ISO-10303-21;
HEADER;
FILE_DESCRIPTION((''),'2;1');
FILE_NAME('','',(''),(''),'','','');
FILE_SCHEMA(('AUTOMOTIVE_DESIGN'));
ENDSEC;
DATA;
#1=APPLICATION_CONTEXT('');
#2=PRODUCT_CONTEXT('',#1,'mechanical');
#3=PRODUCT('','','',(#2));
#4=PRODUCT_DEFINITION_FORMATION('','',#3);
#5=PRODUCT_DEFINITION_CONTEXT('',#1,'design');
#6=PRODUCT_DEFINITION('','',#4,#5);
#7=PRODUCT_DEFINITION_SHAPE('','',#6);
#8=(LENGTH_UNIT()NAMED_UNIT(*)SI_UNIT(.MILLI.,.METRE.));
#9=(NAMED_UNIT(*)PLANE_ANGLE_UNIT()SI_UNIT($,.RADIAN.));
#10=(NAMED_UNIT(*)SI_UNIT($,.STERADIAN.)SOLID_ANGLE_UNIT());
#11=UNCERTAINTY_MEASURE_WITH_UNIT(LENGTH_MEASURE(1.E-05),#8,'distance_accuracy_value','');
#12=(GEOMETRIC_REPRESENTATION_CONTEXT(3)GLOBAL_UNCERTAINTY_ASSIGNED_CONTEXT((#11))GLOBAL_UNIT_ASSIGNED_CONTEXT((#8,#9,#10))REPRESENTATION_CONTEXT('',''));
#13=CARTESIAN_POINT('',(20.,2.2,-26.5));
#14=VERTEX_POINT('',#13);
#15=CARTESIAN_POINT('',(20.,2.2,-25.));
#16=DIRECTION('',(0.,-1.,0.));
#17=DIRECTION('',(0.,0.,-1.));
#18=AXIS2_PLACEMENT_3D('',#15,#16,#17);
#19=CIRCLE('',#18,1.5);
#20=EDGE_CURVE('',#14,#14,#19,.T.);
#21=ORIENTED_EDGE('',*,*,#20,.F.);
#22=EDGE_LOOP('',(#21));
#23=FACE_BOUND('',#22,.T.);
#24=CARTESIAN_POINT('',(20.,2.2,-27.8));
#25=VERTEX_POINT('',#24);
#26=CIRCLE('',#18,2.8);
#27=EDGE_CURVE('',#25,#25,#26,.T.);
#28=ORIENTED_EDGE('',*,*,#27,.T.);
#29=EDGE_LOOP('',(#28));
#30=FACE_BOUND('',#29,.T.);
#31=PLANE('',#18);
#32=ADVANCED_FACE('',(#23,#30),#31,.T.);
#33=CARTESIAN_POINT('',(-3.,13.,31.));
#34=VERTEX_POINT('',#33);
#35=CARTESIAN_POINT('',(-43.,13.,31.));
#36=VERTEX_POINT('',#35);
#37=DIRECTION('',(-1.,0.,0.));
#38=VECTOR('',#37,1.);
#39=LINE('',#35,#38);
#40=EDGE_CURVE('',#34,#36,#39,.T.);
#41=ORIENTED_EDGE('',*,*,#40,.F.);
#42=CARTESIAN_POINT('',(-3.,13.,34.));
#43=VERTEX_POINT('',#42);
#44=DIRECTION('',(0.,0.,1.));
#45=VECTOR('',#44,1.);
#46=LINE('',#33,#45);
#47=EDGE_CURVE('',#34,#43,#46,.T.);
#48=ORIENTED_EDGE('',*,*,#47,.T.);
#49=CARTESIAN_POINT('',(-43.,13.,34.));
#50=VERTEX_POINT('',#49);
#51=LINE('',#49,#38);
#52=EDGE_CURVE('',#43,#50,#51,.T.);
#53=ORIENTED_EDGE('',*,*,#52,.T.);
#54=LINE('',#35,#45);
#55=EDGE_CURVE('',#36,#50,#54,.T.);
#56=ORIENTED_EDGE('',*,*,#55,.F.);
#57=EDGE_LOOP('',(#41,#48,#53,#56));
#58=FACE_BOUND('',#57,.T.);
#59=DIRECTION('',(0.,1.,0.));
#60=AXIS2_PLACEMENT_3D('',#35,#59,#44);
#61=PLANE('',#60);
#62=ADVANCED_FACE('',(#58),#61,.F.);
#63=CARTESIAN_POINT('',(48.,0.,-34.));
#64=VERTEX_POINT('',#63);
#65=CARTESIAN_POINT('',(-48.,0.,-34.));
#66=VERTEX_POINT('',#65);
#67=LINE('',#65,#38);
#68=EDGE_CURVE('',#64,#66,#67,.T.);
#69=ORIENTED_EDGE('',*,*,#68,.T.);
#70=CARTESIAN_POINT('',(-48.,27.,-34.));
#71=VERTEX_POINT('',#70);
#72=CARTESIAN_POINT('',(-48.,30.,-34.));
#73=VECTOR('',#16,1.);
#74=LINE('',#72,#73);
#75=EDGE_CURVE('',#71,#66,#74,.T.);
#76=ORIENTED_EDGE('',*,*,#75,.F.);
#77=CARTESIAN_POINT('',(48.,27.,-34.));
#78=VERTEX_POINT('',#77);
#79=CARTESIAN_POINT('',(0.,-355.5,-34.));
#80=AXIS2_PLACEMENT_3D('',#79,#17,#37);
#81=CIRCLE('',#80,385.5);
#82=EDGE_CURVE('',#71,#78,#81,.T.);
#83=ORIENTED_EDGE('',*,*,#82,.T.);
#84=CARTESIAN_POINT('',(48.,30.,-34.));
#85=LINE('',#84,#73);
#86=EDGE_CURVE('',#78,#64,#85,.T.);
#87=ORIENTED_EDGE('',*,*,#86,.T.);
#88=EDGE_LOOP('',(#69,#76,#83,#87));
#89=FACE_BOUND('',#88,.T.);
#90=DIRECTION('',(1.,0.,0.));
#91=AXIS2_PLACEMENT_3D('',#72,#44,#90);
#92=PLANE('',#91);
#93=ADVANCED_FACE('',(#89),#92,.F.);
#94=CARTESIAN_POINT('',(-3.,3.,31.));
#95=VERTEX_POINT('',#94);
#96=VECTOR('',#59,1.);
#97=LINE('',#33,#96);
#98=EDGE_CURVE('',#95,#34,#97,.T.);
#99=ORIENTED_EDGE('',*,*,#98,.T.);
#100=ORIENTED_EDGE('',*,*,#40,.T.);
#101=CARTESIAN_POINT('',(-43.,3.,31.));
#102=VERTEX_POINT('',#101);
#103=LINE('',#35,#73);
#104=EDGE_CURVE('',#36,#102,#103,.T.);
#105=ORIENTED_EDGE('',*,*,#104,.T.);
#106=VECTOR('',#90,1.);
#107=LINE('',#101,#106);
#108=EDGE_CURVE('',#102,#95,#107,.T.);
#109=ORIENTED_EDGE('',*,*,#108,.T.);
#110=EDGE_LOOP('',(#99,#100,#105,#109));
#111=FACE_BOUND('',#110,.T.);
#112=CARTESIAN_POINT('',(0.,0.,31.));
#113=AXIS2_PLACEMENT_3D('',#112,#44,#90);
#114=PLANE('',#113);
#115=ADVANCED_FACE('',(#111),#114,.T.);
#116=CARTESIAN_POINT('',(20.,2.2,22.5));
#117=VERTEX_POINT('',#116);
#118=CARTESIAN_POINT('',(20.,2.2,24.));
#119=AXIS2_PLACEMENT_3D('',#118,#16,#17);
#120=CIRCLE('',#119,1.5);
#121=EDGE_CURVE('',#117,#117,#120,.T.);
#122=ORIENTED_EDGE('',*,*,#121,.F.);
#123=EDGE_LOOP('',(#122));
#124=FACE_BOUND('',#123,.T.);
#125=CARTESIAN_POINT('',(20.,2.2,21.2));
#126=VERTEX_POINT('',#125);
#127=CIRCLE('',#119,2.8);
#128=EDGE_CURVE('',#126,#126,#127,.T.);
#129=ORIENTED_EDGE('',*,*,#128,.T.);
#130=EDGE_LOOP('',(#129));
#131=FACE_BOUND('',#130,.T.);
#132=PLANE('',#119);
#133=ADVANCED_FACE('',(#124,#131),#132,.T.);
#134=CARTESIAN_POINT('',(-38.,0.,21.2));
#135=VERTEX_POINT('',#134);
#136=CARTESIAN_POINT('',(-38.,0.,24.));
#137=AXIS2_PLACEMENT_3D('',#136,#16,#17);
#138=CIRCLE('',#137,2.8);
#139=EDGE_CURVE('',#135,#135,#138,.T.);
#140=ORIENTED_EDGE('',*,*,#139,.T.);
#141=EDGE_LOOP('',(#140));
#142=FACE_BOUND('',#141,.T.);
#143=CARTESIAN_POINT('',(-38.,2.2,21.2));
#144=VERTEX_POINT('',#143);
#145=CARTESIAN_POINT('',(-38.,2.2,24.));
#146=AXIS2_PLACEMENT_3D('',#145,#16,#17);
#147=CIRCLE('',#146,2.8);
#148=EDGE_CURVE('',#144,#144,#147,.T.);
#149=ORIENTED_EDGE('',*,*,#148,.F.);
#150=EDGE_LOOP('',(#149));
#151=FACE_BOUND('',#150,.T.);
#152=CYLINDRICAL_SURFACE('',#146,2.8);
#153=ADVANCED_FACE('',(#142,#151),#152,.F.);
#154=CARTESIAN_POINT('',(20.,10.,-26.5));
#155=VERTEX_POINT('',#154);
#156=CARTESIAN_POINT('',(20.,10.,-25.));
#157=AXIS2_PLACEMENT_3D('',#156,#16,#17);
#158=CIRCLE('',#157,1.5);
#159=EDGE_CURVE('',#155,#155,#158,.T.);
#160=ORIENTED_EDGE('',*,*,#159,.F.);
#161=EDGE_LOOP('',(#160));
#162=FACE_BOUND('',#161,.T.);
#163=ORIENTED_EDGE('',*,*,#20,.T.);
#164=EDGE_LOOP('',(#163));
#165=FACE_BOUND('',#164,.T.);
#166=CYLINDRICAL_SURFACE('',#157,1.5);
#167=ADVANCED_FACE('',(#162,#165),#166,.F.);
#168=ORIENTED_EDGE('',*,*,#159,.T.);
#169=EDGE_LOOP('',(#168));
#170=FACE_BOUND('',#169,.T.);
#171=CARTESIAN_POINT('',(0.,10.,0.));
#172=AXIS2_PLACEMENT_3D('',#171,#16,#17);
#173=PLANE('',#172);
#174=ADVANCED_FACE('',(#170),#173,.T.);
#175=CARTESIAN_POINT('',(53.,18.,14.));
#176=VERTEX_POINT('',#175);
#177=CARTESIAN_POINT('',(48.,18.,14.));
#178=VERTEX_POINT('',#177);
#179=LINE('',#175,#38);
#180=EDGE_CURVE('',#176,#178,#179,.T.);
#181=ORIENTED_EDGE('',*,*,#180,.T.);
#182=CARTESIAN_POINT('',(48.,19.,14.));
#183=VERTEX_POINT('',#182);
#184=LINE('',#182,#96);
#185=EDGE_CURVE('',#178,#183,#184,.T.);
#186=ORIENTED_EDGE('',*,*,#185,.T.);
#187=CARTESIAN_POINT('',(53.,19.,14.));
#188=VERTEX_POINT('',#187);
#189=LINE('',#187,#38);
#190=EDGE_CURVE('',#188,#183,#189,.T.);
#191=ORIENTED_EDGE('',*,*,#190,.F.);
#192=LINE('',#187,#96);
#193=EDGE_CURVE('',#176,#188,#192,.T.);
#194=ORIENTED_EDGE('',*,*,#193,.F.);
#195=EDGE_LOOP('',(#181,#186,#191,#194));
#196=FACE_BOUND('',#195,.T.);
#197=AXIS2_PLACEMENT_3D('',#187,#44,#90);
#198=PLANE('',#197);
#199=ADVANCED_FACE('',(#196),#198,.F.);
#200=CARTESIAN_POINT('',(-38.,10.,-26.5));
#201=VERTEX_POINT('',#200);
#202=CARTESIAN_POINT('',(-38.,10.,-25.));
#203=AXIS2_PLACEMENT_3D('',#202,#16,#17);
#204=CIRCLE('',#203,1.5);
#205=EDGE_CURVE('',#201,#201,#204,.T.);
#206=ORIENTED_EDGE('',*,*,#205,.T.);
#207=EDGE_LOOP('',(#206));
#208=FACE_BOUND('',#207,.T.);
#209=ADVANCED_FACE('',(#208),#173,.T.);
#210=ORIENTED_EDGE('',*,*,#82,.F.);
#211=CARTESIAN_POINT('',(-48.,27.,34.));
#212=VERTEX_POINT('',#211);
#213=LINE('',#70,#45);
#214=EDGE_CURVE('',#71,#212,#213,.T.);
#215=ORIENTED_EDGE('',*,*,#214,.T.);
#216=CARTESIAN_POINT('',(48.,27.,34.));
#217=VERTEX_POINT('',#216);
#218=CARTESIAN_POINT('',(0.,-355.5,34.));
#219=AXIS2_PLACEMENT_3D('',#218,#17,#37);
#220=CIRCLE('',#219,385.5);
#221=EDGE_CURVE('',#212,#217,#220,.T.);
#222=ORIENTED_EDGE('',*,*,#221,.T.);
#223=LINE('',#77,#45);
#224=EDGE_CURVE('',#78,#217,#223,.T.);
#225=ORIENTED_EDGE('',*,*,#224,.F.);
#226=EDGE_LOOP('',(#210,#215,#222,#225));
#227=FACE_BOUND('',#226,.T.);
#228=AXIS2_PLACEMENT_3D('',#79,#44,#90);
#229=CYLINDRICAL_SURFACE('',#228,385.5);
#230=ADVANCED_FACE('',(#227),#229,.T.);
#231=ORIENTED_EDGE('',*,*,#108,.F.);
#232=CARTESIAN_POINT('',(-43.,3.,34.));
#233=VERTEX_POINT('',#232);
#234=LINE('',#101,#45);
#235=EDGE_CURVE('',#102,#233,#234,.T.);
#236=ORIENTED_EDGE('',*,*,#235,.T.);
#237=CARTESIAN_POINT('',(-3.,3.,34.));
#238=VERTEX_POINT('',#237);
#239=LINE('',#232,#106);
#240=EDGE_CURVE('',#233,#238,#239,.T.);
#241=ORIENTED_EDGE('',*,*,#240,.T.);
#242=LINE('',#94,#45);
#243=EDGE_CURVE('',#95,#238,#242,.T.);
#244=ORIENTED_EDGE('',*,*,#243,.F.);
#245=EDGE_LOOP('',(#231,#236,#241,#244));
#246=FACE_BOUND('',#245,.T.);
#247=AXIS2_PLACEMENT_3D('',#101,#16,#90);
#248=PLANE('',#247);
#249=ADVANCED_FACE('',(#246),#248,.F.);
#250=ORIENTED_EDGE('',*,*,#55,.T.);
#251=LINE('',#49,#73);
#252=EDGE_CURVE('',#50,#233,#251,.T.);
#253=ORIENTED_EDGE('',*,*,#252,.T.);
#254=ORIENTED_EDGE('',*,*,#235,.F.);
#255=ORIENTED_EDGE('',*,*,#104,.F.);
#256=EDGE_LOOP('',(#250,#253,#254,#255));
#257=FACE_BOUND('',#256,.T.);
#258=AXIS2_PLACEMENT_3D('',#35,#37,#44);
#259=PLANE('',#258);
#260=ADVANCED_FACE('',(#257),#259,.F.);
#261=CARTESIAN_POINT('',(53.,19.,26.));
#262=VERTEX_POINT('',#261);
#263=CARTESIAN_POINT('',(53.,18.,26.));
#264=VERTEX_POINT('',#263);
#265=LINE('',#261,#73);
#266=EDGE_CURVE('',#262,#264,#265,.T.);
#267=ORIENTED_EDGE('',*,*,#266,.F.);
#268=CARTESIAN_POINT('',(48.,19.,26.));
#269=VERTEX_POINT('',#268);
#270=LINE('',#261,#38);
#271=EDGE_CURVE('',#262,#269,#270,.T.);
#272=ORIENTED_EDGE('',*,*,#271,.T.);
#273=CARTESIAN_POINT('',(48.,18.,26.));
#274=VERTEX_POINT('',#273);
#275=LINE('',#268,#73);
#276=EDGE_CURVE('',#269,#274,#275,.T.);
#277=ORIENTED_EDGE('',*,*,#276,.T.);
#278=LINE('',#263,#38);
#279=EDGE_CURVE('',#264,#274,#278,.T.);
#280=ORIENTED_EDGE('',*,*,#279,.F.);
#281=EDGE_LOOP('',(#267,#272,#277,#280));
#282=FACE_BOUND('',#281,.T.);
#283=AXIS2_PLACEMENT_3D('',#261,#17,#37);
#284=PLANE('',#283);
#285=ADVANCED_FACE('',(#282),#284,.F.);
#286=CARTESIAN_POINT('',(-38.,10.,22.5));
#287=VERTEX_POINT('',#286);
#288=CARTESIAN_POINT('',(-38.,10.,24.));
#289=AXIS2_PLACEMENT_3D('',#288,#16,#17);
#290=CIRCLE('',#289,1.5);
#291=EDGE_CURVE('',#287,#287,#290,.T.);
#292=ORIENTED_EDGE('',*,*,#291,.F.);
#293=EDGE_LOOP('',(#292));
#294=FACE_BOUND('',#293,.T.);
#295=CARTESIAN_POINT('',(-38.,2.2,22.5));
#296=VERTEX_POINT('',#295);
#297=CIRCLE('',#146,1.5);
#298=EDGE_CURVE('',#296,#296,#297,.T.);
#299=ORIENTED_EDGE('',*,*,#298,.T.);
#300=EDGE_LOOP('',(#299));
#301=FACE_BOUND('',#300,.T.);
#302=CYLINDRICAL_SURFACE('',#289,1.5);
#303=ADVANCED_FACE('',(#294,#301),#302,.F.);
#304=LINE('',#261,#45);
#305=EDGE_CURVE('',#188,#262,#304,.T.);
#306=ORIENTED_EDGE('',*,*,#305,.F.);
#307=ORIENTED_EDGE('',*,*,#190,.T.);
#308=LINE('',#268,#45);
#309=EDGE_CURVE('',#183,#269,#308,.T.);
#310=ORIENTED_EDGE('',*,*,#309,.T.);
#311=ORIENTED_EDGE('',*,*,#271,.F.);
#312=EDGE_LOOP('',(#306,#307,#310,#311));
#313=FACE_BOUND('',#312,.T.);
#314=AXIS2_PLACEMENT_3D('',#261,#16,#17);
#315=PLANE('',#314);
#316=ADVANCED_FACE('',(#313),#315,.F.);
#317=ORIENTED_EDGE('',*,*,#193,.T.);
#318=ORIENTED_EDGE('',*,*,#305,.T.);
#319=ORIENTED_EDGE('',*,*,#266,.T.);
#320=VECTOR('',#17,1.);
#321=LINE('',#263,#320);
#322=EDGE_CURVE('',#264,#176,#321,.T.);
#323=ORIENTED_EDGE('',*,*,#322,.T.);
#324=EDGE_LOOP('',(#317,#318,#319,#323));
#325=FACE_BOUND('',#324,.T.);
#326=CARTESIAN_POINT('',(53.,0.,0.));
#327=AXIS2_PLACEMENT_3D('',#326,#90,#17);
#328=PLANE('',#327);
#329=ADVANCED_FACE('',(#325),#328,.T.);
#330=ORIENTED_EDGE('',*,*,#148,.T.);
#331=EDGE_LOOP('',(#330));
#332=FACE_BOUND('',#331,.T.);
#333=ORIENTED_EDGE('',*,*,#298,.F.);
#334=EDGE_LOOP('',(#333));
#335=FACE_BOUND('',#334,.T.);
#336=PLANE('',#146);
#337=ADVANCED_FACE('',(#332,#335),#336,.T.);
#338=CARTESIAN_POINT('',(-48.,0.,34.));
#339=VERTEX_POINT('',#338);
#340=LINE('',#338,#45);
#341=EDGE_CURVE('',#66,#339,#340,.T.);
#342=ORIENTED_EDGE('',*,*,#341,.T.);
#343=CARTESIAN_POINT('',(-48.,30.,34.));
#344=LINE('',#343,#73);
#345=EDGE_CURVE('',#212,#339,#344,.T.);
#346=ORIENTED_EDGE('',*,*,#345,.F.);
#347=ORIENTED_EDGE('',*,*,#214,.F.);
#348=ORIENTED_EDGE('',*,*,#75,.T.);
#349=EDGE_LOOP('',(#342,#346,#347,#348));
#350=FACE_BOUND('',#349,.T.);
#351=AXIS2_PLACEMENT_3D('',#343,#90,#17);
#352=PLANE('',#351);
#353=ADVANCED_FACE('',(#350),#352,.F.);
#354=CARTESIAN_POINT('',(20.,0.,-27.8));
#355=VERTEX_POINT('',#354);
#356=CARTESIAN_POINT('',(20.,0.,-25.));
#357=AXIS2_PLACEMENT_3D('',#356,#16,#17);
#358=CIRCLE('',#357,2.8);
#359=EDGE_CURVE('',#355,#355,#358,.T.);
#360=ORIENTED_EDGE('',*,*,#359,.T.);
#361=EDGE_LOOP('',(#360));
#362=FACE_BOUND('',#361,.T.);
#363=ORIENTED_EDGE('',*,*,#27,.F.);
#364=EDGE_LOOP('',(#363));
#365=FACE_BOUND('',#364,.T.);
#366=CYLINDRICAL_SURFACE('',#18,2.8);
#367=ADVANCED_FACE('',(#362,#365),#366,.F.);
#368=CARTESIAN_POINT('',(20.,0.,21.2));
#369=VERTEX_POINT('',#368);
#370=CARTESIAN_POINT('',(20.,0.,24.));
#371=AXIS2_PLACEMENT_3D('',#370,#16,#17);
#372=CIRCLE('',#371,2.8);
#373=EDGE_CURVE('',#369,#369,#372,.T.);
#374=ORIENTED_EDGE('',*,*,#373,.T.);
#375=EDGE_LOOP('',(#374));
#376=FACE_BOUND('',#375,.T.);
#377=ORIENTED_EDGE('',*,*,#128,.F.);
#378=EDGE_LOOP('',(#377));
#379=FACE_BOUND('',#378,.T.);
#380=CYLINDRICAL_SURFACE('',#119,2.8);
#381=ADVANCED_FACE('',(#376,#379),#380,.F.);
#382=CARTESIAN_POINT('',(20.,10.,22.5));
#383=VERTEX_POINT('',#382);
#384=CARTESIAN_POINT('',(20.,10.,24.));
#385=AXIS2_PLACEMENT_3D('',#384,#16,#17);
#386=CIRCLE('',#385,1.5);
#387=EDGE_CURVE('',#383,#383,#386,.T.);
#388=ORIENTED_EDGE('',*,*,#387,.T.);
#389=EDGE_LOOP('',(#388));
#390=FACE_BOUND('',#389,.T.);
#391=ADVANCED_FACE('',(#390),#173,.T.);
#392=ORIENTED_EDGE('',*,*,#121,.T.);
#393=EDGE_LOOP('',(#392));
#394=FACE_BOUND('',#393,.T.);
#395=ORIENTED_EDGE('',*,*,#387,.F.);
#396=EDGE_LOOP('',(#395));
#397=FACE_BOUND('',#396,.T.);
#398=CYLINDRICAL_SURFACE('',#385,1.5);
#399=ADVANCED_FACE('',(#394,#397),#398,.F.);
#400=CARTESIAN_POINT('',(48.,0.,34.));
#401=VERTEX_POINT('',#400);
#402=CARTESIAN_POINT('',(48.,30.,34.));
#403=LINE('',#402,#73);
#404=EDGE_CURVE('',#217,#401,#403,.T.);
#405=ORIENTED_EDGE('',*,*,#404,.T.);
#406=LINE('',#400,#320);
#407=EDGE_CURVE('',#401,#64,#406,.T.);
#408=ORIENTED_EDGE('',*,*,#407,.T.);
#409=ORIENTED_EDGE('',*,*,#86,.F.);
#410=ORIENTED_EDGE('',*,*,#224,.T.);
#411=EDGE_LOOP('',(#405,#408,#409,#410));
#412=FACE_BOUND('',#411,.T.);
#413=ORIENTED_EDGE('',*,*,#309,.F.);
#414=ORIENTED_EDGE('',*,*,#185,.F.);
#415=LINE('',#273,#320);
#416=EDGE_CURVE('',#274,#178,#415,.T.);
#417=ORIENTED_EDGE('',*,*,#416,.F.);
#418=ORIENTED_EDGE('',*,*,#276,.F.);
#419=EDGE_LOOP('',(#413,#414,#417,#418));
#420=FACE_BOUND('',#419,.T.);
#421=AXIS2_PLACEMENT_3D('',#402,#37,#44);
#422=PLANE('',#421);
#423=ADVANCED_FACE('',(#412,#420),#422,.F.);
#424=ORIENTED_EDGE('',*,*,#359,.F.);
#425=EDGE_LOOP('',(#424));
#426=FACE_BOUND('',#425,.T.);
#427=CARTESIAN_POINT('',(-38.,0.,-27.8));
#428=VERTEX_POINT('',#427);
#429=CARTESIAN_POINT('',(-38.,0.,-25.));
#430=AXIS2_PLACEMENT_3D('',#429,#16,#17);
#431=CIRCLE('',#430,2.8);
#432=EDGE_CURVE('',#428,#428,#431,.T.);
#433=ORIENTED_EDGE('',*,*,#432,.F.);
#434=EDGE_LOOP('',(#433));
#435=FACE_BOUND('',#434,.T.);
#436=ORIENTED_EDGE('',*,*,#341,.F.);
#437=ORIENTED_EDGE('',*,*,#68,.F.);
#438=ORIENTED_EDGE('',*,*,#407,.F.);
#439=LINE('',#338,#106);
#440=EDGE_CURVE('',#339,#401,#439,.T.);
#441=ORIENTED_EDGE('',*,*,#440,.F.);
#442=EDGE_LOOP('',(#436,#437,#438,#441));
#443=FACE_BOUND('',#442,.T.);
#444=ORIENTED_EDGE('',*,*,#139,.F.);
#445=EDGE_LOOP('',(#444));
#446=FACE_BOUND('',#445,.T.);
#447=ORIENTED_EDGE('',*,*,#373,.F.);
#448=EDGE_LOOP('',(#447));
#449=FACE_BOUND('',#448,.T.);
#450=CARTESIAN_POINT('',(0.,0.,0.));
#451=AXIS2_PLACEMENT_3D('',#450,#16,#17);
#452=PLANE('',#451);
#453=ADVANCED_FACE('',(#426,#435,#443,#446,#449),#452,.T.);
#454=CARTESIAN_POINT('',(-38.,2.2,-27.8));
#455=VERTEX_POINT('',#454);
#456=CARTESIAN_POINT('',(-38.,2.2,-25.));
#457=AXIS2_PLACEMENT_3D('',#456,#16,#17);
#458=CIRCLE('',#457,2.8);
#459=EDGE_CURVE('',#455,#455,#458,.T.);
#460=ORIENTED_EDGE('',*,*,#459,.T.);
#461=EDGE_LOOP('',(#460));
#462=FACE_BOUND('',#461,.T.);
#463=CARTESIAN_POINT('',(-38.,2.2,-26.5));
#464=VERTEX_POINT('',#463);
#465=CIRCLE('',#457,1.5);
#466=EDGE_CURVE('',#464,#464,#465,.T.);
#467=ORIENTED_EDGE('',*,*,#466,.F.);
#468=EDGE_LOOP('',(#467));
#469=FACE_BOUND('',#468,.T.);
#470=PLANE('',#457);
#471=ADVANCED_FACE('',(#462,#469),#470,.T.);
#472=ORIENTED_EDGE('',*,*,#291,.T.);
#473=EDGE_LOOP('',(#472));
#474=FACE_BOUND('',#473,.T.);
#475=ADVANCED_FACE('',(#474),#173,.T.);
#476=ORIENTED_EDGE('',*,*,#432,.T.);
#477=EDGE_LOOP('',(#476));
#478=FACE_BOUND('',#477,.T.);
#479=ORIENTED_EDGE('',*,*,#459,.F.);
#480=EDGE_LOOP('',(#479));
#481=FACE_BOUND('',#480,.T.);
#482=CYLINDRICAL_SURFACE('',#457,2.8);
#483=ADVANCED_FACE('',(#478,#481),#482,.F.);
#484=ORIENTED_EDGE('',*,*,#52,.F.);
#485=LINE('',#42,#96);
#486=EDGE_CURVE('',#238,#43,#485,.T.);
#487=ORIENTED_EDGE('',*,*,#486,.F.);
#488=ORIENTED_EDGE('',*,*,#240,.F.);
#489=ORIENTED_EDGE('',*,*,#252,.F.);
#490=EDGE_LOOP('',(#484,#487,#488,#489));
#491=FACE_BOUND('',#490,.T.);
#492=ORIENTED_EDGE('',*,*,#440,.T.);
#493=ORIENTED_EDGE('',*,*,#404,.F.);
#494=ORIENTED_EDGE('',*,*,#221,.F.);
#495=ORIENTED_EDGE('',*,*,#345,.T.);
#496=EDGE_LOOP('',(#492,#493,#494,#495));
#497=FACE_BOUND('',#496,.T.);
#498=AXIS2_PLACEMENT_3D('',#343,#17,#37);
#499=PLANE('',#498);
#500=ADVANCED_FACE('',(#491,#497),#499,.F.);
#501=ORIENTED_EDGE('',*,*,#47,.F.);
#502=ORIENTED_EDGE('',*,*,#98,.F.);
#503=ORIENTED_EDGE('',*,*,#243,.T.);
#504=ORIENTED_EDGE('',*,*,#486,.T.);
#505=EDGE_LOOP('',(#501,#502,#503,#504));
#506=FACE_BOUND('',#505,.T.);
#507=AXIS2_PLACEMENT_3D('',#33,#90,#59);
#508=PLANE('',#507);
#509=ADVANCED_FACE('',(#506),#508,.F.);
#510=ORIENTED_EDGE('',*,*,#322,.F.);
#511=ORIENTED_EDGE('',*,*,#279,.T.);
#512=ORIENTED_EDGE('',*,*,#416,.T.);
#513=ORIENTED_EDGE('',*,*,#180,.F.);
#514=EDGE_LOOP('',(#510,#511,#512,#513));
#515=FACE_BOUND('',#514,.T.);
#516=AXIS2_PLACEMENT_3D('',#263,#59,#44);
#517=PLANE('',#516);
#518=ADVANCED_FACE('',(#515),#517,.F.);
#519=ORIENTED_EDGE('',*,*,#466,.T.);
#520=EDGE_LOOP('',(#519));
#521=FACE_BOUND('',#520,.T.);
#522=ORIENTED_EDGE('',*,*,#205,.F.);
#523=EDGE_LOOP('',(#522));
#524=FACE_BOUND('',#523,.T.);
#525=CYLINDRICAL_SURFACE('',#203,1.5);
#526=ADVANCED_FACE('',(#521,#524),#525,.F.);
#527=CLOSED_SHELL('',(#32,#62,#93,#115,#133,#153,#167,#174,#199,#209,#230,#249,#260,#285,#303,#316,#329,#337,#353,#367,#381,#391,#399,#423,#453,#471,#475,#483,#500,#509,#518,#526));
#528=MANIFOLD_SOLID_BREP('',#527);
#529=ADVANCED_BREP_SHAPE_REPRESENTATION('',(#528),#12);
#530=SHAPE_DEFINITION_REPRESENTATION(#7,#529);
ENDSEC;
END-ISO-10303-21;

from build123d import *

# Parameters (mm, degrees)
SKETCH1_W           = 96
SKETCH1_H           = 68
BOSS_EXTRUDE1_DEPTH = 30
CUT_EXTRUDE1_DEPTH  = 89.475985442
SKETCH3_W           = 40
SKETCH3_H           = 10
CUT_EXTRUDE2_DEPTH  = 3
SKETCH4_W           = 12
SKETCH4_H           = 1
BOSS_EXTRUDE2_DEPTH = 5
SKETCH5_R           = 2.8
SKETCH5_R_2         = 1.5
CUT_EXTRUDE3_DEPTH  = 2.2
SKETCH5_2_R         = 1.5
CUT_EXTRUDE4_DEPTH  = 10


with BuildPart() as part:
    # Sketch1 → Boss-Extrude1 (new body)
    with BuildSketch(Plane(origin=(0, 0, 0), x_dir=(1, 0, 0), z_dir=(0, 1, 0))):
        Rectangle(SKETCH1_W, SKETCH1_H)
    extrude(amount=BOSS_EXTRUDE1_DEPTH)

    # Sketch2 → Cut-Extrude1 (cut, through all)
    with BuildSketch(Plane.XY.offset(34)):
        with BuildLine():
            Line((-48, 27), (-48, 41.348675948))
            Line((-48, 41.348675948), (48, 41.348675948))
            Line((48, 41.348675948), (48, 27))
            ThreePointArc((48, 27), (0, 30), (-48, 27))
        make_face()
    extrude(amount=-CUT_EXTRUDE1_DEPTH, mode=Mode.SUBTRACT)

    # Sketch3 → Cut-Extrude2 (cut)
    with BuildSketch(Plane.XY.offset(34)):
        with Locations((-23, 8)):
            Rectangle(SKETCH3_W, SKETCH3_H)
    extrude(amount=-CUT_EXTRUDE2_DEPTH, mode=Mode.SUBTRACT)

    # Sketch4 → Boss-Extrude2 (add)
    with BuildSketch(Plane(origin=(48, 0, 0), x_dir=(0, 0, -1), z_dir=(1, 0, 0))):
        with Locations((-20, 18.5)):
            Rectangle(SKETCH4_W, SKETCH4_H)
    extrude(amount=BOSS_EXTRUDE2_DEPTH)

    # Sketch5 → Cut-Extrude3 (cut)
    # profile 1 of 4: a face of its own
    with BuildSketch(Plane.XZ):
        with Locations((-38, 24)):
            Circle(SKETCH5_R)
        with Locations((-38, 24)):
            Circle(SKETCH5_R_2, mode=Mode.SUBTRACT)
    # profile 2 of 4: a face of its own
    with BuildSketch(Plane.XZ):
        with Locations((20, 24)):
            Circle(SKETCH5_R)
        with Locations((20, 24)):
            Circle(SKETCH5_R_2, mode=Mode.SUBTRACT)
    # profile 3 of 4: a face of its own
    with BuildSketch(Plane.XZ):
        with Locations((20, -25)):
            Circle(SKETCH5_R)
        with Locations((20, -25)):
            Circle(SKETCH5_R_2, mode=Mode.SUBTRACT)
    # profile 4 of 4: a face of its own
    with BuildSketch(Plane.XZ):
        with Locations((-38, -25)):
            Circle(SKETCH5_R)
        with Locations((-38, -25)):
            Circle(SKETCH5_R_2, mode=Mode.SUBTRACT)
    extrude(amount=-CUT_EXTRUDE3_DEPTH, mode=Mode.SUBTRACT)

    # Sketch5<2> → Cut-Extrude4 (cut)
    with BuildSketch(Plane.XZ):
        with Locations((-38, 24)):
            Circle(SKETCH5_2_R)
        with Locations((20, 24)):
            Circle(SKETCH5_2_R)
        with Locations((20, -25)):
            Circle(SKETCH5_2_R)
        with Locations((-38, -25)):
            Circle(SKETCH5_2_R)
    extrude(amount=-CUT_EXTRUDE4_DEPTH, mode=Mode.SUBTRACT)


solid = part.part
